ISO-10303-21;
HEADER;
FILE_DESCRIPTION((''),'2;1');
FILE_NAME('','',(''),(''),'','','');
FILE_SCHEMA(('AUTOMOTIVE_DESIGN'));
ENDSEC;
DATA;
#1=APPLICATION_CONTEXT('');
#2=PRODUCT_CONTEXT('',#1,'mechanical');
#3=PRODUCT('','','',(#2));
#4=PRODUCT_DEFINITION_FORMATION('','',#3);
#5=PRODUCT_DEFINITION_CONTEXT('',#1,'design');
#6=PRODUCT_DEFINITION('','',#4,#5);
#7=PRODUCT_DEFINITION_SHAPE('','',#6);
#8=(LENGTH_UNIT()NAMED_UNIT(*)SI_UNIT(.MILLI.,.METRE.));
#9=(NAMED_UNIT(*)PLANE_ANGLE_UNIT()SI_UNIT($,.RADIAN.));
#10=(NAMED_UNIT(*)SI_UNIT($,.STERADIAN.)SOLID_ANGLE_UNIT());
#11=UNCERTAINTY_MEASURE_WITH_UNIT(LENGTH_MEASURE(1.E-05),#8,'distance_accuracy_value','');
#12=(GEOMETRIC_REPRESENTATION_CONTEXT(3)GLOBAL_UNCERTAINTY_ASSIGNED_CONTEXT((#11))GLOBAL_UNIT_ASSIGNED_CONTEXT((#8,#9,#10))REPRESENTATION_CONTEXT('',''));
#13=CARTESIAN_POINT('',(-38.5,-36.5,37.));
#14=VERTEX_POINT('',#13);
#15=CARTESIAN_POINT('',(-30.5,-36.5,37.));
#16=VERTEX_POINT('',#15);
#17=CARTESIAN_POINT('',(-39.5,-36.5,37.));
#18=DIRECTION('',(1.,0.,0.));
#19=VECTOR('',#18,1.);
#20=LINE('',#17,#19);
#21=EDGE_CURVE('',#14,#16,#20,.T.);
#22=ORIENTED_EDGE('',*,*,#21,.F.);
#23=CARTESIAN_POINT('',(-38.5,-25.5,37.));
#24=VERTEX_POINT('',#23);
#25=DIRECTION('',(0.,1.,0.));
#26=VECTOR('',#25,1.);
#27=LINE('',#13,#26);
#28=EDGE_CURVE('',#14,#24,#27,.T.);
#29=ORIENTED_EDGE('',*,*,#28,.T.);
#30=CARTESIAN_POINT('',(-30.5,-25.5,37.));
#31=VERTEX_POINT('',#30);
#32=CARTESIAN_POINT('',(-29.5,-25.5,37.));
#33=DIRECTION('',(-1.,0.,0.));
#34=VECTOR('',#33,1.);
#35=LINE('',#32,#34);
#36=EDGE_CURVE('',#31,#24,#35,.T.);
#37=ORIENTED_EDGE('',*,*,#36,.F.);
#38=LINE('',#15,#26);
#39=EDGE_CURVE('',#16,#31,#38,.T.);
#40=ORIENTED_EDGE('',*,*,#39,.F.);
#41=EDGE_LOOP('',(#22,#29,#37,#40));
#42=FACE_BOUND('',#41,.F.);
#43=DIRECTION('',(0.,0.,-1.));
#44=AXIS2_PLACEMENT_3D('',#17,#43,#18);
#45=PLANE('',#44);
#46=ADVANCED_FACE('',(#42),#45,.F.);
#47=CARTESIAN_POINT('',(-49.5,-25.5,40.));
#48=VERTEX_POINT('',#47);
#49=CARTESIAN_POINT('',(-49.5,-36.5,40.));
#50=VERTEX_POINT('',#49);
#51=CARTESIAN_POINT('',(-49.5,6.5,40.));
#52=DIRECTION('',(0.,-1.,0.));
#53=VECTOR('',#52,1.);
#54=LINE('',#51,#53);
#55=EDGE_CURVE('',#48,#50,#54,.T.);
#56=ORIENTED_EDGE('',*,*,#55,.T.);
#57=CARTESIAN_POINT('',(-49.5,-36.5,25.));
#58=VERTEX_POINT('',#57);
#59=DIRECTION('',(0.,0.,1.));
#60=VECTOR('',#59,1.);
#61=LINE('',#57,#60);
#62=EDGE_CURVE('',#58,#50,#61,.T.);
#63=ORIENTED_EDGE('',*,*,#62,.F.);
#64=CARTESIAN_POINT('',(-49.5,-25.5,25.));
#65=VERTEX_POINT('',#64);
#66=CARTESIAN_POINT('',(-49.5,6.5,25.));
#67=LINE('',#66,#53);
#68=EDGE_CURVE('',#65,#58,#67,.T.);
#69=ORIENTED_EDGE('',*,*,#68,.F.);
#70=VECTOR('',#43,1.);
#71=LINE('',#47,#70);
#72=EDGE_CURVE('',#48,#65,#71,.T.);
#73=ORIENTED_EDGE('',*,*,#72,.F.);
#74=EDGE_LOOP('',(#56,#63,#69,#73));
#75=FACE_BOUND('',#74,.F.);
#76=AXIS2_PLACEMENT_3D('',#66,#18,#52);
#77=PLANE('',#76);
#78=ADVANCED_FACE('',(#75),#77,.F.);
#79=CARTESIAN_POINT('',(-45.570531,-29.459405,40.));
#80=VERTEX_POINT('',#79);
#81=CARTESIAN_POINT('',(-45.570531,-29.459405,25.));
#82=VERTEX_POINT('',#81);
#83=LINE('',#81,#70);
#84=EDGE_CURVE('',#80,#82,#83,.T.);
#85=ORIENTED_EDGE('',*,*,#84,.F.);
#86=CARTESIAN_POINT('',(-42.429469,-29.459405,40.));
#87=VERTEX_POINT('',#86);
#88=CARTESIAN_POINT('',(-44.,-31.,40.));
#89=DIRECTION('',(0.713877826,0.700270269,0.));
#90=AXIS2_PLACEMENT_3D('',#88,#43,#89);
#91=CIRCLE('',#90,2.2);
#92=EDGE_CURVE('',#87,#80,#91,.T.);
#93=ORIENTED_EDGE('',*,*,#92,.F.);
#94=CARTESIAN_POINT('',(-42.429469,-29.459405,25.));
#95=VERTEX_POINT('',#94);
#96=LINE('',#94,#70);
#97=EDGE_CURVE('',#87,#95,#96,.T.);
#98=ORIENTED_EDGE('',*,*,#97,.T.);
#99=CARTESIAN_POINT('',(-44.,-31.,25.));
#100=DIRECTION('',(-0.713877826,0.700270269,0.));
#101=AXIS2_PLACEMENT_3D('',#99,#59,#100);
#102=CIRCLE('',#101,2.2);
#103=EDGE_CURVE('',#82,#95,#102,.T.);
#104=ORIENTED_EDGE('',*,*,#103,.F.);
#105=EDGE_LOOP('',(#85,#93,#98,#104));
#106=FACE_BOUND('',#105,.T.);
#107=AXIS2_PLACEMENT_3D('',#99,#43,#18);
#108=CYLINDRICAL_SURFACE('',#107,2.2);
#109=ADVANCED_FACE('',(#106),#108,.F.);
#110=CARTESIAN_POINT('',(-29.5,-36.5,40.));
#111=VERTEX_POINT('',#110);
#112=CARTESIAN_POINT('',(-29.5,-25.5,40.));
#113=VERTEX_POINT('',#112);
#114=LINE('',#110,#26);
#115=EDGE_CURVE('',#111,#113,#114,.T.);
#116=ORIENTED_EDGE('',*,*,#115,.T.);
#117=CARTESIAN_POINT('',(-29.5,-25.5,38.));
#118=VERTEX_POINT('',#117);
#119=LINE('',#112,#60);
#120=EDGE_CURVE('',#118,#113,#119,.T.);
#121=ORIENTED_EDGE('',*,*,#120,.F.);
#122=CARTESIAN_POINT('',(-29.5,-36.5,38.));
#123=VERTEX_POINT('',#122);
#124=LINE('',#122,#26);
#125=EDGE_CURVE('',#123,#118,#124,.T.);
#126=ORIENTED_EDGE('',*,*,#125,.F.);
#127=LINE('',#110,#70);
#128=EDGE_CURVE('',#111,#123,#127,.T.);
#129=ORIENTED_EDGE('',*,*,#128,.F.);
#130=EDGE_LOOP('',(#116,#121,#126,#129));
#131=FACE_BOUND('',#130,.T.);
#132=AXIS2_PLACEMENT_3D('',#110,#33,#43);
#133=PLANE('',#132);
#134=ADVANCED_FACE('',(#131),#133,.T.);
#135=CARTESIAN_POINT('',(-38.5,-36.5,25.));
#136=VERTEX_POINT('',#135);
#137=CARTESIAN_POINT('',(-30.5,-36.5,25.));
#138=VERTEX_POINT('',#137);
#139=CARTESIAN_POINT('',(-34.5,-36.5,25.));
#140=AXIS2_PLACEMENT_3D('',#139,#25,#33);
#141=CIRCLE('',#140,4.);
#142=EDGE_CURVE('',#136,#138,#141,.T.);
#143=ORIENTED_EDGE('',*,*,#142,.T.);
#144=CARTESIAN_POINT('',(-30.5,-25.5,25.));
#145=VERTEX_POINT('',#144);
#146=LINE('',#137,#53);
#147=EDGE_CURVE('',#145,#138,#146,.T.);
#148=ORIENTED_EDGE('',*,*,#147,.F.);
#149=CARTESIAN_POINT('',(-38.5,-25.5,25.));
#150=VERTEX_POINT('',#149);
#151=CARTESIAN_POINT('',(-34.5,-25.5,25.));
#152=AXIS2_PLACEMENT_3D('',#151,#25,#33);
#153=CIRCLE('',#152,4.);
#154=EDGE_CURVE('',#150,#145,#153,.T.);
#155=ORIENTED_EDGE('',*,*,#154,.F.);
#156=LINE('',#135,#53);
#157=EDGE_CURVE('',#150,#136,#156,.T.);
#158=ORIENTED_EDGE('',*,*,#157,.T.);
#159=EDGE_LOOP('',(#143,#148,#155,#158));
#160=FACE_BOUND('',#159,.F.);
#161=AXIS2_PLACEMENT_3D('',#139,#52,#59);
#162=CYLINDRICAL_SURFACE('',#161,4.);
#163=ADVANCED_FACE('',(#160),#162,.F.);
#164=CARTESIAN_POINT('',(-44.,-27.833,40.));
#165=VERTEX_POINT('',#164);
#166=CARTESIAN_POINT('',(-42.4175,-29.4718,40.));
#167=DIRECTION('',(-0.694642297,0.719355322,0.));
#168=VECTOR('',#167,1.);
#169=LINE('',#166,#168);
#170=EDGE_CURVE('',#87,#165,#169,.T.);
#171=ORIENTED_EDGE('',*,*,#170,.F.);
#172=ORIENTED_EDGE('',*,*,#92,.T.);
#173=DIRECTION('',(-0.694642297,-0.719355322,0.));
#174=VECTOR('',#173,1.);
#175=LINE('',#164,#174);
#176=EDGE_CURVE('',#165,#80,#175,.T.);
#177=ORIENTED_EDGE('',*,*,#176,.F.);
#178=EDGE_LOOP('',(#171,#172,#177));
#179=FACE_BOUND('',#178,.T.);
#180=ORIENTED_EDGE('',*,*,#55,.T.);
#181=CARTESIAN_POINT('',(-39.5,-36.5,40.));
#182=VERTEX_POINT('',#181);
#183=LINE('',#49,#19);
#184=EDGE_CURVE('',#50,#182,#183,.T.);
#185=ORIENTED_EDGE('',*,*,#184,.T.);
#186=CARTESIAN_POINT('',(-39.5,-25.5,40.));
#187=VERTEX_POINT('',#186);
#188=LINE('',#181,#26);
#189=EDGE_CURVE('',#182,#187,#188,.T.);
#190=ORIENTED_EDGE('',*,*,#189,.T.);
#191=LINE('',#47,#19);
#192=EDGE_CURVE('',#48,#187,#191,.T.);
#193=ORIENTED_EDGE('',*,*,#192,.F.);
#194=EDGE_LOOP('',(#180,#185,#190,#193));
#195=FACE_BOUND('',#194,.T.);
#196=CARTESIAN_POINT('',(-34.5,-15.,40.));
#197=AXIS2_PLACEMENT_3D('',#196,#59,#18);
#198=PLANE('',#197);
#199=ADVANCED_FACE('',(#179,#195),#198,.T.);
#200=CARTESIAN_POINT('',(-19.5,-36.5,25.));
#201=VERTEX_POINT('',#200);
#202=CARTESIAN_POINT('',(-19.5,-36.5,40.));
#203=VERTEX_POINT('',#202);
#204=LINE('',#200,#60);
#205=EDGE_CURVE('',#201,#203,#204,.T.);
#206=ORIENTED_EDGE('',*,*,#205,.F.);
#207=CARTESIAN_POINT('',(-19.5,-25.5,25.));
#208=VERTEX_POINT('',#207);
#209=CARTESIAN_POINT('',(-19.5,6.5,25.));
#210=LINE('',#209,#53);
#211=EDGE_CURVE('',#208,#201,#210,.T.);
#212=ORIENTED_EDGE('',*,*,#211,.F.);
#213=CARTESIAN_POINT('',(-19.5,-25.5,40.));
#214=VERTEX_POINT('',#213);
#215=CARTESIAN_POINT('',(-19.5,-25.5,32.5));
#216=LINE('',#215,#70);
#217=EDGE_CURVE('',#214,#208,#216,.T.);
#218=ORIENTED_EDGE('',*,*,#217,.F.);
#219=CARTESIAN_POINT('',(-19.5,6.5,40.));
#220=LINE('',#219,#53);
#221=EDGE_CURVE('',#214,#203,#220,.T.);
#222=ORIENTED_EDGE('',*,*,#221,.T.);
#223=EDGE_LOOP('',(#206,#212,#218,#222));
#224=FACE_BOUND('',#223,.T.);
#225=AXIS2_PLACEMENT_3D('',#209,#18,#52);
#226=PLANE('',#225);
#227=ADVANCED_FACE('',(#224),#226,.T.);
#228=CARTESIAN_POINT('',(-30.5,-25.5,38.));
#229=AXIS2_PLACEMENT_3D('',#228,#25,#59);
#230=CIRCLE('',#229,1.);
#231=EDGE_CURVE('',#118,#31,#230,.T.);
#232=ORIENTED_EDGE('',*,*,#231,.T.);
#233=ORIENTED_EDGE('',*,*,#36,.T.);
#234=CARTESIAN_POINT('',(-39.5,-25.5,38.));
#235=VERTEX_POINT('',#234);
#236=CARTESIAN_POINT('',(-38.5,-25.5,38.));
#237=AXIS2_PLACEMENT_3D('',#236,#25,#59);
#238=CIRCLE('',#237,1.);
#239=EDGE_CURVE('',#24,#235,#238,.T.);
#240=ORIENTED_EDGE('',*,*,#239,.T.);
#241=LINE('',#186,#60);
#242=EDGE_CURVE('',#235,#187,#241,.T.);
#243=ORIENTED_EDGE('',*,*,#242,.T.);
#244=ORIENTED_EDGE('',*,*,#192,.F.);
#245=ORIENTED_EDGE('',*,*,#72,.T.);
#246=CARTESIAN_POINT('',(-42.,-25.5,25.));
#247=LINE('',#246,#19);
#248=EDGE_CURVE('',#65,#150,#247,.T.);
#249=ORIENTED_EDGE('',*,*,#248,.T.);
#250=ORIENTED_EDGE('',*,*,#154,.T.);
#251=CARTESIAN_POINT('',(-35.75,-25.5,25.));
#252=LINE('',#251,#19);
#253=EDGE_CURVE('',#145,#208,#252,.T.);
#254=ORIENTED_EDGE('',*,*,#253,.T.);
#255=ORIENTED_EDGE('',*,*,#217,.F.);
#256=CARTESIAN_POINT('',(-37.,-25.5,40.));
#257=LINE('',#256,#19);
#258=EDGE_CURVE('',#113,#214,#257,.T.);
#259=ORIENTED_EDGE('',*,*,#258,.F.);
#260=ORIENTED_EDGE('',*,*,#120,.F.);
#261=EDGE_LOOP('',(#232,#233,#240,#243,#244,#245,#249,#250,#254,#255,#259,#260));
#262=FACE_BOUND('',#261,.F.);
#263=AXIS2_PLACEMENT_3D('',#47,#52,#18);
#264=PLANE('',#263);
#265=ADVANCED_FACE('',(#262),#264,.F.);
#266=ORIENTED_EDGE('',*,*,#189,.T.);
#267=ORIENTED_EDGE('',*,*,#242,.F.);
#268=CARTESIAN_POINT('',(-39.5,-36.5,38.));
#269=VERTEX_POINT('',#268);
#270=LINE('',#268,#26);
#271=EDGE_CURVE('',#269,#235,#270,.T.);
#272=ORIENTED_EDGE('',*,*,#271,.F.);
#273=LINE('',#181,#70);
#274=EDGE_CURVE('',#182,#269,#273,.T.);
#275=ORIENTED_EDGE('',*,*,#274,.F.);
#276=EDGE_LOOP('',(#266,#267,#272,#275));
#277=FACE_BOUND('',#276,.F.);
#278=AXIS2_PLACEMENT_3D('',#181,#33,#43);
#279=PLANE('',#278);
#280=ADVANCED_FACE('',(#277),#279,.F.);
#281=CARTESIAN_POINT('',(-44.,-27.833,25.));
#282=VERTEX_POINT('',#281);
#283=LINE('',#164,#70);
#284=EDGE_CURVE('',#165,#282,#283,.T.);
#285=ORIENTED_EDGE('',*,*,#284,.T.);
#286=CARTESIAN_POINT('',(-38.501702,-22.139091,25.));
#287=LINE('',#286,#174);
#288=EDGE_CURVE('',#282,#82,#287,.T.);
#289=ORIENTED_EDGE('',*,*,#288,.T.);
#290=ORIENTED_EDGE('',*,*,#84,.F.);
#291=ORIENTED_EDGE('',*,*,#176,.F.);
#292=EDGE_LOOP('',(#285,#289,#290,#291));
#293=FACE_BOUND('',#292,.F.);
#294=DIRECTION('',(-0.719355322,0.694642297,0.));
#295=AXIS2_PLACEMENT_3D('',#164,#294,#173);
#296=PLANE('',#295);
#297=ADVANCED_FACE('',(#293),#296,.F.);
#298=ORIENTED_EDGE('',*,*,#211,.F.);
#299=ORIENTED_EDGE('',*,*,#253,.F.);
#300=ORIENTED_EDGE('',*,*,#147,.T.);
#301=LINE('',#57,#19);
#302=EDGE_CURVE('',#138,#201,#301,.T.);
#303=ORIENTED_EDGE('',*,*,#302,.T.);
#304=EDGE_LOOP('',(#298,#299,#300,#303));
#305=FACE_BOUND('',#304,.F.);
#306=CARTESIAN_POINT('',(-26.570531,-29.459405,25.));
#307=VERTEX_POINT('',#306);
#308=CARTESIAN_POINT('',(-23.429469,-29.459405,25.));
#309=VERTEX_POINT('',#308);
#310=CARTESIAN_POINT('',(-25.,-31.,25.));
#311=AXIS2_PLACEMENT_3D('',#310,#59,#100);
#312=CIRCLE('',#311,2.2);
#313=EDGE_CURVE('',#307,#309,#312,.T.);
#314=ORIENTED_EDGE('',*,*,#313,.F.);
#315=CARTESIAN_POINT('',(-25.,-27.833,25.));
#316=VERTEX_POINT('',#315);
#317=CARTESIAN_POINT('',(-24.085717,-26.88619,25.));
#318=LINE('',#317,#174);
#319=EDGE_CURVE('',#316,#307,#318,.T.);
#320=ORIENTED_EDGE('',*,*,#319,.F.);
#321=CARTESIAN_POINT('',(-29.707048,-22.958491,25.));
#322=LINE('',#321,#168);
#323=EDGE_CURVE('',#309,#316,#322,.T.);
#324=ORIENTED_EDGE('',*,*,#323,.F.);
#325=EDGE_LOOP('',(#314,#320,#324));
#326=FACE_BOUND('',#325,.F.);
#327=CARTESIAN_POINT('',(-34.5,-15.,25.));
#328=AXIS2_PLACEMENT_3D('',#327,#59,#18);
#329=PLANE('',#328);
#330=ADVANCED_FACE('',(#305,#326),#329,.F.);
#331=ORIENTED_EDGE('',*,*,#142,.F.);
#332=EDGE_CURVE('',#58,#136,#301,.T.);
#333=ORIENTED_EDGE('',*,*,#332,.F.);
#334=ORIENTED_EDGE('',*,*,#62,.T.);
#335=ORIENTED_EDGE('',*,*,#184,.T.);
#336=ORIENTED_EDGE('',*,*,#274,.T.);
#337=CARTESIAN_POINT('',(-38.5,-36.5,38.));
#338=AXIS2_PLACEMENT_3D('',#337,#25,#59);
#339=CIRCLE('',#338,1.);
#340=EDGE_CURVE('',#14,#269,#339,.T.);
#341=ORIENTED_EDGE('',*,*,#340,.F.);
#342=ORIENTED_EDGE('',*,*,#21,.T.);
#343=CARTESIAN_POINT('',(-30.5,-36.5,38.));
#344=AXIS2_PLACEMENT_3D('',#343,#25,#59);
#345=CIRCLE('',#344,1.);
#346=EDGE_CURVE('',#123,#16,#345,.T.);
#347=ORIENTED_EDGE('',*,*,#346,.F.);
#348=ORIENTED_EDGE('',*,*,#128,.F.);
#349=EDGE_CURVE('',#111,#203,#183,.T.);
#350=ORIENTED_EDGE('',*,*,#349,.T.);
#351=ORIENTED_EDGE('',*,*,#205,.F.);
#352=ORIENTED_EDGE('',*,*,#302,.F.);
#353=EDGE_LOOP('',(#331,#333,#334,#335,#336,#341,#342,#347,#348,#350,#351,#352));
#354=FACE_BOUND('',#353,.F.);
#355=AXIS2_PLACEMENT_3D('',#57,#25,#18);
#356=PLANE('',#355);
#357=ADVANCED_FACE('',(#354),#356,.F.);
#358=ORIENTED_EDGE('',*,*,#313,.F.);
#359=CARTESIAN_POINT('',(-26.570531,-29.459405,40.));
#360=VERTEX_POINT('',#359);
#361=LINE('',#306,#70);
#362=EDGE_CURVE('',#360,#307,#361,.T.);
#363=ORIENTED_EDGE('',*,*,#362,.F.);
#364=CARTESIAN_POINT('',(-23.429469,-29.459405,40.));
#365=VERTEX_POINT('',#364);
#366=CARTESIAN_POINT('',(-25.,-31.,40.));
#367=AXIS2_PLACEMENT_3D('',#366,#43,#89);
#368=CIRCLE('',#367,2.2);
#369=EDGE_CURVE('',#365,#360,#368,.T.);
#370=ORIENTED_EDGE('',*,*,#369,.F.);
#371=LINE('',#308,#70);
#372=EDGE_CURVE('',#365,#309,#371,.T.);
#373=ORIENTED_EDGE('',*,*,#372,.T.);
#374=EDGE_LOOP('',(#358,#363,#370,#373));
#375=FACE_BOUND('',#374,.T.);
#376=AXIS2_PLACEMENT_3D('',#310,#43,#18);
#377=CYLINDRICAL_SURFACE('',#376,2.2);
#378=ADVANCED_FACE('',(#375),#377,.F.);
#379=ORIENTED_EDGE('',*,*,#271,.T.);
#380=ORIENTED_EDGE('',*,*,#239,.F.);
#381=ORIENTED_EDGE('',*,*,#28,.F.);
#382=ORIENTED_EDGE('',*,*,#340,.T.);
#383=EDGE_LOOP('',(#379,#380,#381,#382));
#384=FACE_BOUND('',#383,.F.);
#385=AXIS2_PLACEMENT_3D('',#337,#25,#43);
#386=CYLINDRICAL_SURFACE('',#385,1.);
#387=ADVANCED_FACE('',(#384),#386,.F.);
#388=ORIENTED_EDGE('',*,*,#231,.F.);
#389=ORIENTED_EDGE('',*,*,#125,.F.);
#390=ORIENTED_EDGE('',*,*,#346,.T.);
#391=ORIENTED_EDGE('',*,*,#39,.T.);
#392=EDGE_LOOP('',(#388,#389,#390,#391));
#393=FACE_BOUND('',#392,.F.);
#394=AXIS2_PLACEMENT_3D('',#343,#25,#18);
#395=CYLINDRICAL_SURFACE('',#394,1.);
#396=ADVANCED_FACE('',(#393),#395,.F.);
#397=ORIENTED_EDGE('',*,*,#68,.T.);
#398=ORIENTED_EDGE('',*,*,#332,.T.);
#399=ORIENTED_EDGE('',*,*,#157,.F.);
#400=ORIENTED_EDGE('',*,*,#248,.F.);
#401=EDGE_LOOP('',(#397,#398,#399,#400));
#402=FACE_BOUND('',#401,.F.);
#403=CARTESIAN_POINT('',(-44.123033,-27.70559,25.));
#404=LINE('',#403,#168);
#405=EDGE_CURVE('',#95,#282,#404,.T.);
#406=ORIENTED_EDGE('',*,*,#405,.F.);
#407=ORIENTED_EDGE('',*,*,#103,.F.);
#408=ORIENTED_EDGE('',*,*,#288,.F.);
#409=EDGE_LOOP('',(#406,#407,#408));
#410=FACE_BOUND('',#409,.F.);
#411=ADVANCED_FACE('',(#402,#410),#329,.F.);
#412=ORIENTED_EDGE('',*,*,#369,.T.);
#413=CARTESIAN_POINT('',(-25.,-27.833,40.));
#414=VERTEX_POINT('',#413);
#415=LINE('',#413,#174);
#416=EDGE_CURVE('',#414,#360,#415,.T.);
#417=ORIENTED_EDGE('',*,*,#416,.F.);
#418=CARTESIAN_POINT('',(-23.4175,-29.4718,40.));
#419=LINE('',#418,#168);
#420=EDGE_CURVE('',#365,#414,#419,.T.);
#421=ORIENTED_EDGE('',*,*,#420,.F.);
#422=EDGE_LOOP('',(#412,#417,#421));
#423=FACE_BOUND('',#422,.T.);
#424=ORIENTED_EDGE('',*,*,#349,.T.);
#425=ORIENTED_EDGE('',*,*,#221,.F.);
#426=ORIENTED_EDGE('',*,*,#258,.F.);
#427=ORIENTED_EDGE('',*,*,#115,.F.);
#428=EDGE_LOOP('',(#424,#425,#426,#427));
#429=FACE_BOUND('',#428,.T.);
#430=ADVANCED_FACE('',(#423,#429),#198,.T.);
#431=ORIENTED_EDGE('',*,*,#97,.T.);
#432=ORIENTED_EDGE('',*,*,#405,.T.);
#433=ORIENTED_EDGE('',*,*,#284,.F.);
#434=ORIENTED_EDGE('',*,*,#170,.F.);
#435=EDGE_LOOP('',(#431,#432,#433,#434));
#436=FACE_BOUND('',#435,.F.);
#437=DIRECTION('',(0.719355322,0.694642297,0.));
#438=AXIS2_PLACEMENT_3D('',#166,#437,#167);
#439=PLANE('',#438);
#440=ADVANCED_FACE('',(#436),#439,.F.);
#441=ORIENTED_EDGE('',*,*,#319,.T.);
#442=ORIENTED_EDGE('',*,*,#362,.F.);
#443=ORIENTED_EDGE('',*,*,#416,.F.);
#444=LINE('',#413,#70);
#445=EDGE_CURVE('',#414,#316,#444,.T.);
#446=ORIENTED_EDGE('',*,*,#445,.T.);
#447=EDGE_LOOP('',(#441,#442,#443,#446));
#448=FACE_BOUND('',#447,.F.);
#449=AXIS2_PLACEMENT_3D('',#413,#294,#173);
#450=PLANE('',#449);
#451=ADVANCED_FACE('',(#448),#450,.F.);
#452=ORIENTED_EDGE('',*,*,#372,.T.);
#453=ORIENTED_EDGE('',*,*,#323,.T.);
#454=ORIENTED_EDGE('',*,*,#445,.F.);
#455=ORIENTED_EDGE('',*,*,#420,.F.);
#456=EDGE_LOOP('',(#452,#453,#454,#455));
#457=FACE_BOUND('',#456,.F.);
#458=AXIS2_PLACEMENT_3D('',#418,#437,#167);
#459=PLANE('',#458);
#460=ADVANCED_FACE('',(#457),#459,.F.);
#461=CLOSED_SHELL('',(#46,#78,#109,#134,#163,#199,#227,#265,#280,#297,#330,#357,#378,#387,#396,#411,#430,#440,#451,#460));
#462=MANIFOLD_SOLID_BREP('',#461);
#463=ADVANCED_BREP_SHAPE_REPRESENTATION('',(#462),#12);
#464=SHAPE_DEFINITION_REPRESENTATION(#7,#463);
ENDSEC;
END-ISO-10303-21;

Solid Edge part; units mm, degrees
sketch "Sketch1" plane through (0, 0, 25) normal (0, 0, 1) x (1, 0, 0)
  line L0 (-49.5, -36.5) -> (-19.5, -36.5)
  line L1 (-19.5, 6.5) -> (-19.5, -36.5)
  line L2 (-19.5, 6.5) -> (-49.5, 6.5)
  line L3 (-49.5, 6.5) -> (-49.5, -36.5)
  circle A0 centre (-25, -31) radius 2.2
  circle A1 centre (-44, 1) radius 2.2
  circle A2 centre (-25, 1) radius 2.2
  circle A3 centre (-44, -31) radius 2.2
extrude "ExtrudedProtrusion_1" add sketch "Sketch1" along normal blind 15
sketch "Sketch2" plane through (-34.5, -36.5, 32.5) normal (0, -1, 0) x (0, 0, 1)
  circle A0 centre (-7.5, 0) radius 4
extrude "Cutout1" cut sketch "Sketch2" against normal through all
sketch "Sketch3" plane through (-34.5, -36.5, 32.5) normal (0, -1, 0) x (1, 0, 0)
  line L0 (-5, 7.5) -> (-5, 4.5)
  line L1 (-5, 4.5) -> (5, 4.5)
  line L2 (5, 7.5) -> (5, 4.5)
  dimension "D1" = 5
  dimension "D2" = 10
  dimension "D3" = 3
  dimension "D4" = 3
  dimension "D5" = 3
extrude "Cutout2" cut sketch "Sketch3" against normal through all material side at (-39.45, -36.5, 38.5)
sketch "Sketch4" plane through (-24.5, -15, 40) normal (0, 0, 1) x (0, 1, 0)
  line L0 (-10.5, 25) -> (-10.5, 12.5)
extrude "Cutout3" cut sketch "Sketch4" against normal through all material side at (-43.25, -25.45, 40)
fillet "Round_1" radius 1 2 edges at (-39.5, -31, 37) (-29.5, -31, 37)
sketch "Sketch5" plane through (-44.5, -31, 40) normal (0, 0, 1) x (1, 0, 0)
  line L0 (0.5, 0) -> (2.0825, 1.5282)
  line L1 (2.0825, 1.5282) -> (0.5, 3.167)
  line L2 (0.5, 3.167) -> (-1.0825, 1.5282)
  line L3 (-1.0825, 1.5282) -> (0.5, 0)
  line L4 (19.5, 0) -> (21.0825, 1.5282)
  line L5 (21.0825, 1.5282) -> (19.5, 3.167)
  line L6 (19.5, 3.167) -> (17.9175, 1.5282)
  line L7 (17.9175, 1.5282) -> (19.5, 0)
extrude "Cutout4" cut sketch "Sketch5" against normal through all
properties material "ABS Plastic, medium impact"
